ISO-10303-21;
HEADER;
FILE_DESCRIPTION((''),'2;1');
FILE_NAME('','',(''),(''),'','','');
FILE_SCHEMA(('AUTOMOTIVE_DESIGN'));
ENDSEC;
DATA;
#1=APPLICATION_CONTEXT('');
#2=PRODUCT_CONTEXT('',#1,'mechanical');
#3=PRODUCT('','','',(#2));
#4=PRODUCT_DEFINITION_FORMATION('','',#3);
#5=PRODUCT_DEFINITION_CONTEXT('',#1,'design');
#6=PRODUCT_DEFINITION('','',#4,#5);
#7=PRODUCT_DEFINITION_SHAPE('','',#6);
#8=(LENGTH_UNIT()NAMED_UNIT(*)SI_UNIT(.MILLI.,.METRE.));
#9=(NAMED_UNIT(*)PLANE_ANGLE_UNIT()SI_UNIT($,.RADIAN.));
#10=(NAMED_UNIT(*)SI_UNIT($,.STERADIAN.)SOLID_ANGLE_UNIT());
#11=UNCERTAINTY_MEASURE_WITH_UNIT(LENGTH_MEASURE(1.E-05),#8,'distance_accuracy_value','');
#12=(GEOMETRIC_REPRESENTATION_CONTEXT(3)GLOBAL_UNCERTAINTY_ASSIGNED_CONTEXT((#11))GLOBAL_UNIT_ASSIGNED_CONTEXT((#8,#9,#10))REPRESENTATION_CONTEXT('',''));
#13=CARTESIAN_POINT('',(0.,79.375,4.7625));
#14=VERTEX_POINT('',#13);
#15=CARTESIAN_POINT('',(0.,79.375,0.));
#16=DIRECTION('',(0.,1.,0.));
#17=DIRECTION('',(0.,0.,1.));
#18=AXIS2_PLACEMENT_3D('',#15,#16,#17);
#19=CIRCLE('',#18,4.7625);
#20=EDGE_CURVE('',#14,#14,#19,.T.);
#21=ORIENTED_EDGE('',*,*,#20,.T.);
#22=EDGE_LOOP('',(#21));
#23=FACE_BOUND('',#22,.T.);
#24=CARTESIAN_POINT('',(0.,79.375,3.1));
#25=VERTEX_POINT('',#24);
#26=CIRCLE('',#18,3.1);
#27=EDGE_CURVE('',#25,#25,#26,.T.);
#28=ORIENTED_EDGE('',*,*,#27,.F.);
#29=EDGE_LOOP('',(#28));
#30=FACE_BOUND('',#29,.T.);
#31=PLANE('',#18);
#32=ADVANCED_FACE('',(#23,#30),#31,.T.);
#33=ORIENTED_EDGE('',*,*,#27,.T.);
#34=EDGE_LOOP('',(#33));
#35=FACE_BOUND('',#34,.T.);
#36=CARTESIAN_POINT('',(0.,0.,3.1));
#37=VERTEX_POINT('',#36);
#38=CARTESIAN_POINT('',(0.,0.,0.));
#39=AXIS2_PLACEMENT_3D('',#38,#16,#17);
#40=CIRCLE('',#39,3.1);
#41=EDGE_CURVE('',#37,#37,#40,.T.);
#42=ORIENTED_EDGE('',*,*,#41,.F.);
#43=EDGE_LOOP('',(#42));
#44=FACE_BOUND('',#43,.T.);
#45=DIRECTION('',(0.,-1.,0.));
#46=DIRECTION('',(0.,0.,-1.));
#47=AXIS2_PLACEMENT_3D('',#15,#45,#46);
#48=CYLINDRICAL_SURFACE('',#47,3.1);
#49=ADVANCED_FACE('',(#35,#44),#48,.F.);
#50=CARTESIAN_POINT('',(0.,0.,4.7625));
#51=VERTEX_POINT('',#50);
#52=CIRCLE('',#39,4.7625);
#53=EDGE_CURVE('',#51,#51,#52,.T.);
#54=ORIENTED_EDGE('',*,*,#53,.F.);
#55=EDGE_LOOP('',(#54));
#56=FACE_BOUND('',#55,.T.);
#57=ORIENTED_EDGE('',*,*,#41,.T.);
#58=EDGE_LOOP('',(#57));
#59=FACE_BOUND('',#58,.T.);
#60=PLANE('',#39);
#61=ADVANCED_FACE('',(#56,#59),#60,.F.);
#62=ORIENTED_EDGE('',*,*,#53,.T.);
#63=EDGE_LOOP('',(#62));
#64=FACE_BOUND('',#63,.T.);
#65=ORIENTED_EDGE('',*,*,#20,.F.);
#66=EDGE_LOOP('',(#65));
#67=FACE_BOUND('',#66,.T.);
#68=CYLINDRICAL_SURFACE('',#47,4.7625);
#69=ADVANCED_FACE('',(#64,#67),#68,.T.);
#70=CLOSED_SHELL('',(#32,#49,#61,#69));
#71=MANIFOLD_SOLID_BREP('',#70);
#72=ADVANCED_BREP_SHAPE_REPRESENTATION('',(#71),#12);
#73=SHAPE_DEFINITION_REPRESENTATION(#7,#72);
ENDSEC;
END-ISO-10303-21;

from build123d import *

# Parameters (mm, degrees)
SKETCH1_R           = 4.7625
SKETCH1_R_2         = 3.1
BOSS_EXTRUDE1_DEPTH = 79.375


with BuildPart() as part:
    # Sketch1 → Boss-Extrude1 (new body)
    with BuildSketch(Plane(origin=(0, 0, 0), x_dir=(1, 0, 0), z_dir=(0, 1, 0))):
        Circle(SKETCH1_R)
        Circle(SKETCH1_R_2, mode=Mode.SUBTRACT)
    extrude(amount=BOSS_EXTRUDE1_DEPTH)


solid = part.part
